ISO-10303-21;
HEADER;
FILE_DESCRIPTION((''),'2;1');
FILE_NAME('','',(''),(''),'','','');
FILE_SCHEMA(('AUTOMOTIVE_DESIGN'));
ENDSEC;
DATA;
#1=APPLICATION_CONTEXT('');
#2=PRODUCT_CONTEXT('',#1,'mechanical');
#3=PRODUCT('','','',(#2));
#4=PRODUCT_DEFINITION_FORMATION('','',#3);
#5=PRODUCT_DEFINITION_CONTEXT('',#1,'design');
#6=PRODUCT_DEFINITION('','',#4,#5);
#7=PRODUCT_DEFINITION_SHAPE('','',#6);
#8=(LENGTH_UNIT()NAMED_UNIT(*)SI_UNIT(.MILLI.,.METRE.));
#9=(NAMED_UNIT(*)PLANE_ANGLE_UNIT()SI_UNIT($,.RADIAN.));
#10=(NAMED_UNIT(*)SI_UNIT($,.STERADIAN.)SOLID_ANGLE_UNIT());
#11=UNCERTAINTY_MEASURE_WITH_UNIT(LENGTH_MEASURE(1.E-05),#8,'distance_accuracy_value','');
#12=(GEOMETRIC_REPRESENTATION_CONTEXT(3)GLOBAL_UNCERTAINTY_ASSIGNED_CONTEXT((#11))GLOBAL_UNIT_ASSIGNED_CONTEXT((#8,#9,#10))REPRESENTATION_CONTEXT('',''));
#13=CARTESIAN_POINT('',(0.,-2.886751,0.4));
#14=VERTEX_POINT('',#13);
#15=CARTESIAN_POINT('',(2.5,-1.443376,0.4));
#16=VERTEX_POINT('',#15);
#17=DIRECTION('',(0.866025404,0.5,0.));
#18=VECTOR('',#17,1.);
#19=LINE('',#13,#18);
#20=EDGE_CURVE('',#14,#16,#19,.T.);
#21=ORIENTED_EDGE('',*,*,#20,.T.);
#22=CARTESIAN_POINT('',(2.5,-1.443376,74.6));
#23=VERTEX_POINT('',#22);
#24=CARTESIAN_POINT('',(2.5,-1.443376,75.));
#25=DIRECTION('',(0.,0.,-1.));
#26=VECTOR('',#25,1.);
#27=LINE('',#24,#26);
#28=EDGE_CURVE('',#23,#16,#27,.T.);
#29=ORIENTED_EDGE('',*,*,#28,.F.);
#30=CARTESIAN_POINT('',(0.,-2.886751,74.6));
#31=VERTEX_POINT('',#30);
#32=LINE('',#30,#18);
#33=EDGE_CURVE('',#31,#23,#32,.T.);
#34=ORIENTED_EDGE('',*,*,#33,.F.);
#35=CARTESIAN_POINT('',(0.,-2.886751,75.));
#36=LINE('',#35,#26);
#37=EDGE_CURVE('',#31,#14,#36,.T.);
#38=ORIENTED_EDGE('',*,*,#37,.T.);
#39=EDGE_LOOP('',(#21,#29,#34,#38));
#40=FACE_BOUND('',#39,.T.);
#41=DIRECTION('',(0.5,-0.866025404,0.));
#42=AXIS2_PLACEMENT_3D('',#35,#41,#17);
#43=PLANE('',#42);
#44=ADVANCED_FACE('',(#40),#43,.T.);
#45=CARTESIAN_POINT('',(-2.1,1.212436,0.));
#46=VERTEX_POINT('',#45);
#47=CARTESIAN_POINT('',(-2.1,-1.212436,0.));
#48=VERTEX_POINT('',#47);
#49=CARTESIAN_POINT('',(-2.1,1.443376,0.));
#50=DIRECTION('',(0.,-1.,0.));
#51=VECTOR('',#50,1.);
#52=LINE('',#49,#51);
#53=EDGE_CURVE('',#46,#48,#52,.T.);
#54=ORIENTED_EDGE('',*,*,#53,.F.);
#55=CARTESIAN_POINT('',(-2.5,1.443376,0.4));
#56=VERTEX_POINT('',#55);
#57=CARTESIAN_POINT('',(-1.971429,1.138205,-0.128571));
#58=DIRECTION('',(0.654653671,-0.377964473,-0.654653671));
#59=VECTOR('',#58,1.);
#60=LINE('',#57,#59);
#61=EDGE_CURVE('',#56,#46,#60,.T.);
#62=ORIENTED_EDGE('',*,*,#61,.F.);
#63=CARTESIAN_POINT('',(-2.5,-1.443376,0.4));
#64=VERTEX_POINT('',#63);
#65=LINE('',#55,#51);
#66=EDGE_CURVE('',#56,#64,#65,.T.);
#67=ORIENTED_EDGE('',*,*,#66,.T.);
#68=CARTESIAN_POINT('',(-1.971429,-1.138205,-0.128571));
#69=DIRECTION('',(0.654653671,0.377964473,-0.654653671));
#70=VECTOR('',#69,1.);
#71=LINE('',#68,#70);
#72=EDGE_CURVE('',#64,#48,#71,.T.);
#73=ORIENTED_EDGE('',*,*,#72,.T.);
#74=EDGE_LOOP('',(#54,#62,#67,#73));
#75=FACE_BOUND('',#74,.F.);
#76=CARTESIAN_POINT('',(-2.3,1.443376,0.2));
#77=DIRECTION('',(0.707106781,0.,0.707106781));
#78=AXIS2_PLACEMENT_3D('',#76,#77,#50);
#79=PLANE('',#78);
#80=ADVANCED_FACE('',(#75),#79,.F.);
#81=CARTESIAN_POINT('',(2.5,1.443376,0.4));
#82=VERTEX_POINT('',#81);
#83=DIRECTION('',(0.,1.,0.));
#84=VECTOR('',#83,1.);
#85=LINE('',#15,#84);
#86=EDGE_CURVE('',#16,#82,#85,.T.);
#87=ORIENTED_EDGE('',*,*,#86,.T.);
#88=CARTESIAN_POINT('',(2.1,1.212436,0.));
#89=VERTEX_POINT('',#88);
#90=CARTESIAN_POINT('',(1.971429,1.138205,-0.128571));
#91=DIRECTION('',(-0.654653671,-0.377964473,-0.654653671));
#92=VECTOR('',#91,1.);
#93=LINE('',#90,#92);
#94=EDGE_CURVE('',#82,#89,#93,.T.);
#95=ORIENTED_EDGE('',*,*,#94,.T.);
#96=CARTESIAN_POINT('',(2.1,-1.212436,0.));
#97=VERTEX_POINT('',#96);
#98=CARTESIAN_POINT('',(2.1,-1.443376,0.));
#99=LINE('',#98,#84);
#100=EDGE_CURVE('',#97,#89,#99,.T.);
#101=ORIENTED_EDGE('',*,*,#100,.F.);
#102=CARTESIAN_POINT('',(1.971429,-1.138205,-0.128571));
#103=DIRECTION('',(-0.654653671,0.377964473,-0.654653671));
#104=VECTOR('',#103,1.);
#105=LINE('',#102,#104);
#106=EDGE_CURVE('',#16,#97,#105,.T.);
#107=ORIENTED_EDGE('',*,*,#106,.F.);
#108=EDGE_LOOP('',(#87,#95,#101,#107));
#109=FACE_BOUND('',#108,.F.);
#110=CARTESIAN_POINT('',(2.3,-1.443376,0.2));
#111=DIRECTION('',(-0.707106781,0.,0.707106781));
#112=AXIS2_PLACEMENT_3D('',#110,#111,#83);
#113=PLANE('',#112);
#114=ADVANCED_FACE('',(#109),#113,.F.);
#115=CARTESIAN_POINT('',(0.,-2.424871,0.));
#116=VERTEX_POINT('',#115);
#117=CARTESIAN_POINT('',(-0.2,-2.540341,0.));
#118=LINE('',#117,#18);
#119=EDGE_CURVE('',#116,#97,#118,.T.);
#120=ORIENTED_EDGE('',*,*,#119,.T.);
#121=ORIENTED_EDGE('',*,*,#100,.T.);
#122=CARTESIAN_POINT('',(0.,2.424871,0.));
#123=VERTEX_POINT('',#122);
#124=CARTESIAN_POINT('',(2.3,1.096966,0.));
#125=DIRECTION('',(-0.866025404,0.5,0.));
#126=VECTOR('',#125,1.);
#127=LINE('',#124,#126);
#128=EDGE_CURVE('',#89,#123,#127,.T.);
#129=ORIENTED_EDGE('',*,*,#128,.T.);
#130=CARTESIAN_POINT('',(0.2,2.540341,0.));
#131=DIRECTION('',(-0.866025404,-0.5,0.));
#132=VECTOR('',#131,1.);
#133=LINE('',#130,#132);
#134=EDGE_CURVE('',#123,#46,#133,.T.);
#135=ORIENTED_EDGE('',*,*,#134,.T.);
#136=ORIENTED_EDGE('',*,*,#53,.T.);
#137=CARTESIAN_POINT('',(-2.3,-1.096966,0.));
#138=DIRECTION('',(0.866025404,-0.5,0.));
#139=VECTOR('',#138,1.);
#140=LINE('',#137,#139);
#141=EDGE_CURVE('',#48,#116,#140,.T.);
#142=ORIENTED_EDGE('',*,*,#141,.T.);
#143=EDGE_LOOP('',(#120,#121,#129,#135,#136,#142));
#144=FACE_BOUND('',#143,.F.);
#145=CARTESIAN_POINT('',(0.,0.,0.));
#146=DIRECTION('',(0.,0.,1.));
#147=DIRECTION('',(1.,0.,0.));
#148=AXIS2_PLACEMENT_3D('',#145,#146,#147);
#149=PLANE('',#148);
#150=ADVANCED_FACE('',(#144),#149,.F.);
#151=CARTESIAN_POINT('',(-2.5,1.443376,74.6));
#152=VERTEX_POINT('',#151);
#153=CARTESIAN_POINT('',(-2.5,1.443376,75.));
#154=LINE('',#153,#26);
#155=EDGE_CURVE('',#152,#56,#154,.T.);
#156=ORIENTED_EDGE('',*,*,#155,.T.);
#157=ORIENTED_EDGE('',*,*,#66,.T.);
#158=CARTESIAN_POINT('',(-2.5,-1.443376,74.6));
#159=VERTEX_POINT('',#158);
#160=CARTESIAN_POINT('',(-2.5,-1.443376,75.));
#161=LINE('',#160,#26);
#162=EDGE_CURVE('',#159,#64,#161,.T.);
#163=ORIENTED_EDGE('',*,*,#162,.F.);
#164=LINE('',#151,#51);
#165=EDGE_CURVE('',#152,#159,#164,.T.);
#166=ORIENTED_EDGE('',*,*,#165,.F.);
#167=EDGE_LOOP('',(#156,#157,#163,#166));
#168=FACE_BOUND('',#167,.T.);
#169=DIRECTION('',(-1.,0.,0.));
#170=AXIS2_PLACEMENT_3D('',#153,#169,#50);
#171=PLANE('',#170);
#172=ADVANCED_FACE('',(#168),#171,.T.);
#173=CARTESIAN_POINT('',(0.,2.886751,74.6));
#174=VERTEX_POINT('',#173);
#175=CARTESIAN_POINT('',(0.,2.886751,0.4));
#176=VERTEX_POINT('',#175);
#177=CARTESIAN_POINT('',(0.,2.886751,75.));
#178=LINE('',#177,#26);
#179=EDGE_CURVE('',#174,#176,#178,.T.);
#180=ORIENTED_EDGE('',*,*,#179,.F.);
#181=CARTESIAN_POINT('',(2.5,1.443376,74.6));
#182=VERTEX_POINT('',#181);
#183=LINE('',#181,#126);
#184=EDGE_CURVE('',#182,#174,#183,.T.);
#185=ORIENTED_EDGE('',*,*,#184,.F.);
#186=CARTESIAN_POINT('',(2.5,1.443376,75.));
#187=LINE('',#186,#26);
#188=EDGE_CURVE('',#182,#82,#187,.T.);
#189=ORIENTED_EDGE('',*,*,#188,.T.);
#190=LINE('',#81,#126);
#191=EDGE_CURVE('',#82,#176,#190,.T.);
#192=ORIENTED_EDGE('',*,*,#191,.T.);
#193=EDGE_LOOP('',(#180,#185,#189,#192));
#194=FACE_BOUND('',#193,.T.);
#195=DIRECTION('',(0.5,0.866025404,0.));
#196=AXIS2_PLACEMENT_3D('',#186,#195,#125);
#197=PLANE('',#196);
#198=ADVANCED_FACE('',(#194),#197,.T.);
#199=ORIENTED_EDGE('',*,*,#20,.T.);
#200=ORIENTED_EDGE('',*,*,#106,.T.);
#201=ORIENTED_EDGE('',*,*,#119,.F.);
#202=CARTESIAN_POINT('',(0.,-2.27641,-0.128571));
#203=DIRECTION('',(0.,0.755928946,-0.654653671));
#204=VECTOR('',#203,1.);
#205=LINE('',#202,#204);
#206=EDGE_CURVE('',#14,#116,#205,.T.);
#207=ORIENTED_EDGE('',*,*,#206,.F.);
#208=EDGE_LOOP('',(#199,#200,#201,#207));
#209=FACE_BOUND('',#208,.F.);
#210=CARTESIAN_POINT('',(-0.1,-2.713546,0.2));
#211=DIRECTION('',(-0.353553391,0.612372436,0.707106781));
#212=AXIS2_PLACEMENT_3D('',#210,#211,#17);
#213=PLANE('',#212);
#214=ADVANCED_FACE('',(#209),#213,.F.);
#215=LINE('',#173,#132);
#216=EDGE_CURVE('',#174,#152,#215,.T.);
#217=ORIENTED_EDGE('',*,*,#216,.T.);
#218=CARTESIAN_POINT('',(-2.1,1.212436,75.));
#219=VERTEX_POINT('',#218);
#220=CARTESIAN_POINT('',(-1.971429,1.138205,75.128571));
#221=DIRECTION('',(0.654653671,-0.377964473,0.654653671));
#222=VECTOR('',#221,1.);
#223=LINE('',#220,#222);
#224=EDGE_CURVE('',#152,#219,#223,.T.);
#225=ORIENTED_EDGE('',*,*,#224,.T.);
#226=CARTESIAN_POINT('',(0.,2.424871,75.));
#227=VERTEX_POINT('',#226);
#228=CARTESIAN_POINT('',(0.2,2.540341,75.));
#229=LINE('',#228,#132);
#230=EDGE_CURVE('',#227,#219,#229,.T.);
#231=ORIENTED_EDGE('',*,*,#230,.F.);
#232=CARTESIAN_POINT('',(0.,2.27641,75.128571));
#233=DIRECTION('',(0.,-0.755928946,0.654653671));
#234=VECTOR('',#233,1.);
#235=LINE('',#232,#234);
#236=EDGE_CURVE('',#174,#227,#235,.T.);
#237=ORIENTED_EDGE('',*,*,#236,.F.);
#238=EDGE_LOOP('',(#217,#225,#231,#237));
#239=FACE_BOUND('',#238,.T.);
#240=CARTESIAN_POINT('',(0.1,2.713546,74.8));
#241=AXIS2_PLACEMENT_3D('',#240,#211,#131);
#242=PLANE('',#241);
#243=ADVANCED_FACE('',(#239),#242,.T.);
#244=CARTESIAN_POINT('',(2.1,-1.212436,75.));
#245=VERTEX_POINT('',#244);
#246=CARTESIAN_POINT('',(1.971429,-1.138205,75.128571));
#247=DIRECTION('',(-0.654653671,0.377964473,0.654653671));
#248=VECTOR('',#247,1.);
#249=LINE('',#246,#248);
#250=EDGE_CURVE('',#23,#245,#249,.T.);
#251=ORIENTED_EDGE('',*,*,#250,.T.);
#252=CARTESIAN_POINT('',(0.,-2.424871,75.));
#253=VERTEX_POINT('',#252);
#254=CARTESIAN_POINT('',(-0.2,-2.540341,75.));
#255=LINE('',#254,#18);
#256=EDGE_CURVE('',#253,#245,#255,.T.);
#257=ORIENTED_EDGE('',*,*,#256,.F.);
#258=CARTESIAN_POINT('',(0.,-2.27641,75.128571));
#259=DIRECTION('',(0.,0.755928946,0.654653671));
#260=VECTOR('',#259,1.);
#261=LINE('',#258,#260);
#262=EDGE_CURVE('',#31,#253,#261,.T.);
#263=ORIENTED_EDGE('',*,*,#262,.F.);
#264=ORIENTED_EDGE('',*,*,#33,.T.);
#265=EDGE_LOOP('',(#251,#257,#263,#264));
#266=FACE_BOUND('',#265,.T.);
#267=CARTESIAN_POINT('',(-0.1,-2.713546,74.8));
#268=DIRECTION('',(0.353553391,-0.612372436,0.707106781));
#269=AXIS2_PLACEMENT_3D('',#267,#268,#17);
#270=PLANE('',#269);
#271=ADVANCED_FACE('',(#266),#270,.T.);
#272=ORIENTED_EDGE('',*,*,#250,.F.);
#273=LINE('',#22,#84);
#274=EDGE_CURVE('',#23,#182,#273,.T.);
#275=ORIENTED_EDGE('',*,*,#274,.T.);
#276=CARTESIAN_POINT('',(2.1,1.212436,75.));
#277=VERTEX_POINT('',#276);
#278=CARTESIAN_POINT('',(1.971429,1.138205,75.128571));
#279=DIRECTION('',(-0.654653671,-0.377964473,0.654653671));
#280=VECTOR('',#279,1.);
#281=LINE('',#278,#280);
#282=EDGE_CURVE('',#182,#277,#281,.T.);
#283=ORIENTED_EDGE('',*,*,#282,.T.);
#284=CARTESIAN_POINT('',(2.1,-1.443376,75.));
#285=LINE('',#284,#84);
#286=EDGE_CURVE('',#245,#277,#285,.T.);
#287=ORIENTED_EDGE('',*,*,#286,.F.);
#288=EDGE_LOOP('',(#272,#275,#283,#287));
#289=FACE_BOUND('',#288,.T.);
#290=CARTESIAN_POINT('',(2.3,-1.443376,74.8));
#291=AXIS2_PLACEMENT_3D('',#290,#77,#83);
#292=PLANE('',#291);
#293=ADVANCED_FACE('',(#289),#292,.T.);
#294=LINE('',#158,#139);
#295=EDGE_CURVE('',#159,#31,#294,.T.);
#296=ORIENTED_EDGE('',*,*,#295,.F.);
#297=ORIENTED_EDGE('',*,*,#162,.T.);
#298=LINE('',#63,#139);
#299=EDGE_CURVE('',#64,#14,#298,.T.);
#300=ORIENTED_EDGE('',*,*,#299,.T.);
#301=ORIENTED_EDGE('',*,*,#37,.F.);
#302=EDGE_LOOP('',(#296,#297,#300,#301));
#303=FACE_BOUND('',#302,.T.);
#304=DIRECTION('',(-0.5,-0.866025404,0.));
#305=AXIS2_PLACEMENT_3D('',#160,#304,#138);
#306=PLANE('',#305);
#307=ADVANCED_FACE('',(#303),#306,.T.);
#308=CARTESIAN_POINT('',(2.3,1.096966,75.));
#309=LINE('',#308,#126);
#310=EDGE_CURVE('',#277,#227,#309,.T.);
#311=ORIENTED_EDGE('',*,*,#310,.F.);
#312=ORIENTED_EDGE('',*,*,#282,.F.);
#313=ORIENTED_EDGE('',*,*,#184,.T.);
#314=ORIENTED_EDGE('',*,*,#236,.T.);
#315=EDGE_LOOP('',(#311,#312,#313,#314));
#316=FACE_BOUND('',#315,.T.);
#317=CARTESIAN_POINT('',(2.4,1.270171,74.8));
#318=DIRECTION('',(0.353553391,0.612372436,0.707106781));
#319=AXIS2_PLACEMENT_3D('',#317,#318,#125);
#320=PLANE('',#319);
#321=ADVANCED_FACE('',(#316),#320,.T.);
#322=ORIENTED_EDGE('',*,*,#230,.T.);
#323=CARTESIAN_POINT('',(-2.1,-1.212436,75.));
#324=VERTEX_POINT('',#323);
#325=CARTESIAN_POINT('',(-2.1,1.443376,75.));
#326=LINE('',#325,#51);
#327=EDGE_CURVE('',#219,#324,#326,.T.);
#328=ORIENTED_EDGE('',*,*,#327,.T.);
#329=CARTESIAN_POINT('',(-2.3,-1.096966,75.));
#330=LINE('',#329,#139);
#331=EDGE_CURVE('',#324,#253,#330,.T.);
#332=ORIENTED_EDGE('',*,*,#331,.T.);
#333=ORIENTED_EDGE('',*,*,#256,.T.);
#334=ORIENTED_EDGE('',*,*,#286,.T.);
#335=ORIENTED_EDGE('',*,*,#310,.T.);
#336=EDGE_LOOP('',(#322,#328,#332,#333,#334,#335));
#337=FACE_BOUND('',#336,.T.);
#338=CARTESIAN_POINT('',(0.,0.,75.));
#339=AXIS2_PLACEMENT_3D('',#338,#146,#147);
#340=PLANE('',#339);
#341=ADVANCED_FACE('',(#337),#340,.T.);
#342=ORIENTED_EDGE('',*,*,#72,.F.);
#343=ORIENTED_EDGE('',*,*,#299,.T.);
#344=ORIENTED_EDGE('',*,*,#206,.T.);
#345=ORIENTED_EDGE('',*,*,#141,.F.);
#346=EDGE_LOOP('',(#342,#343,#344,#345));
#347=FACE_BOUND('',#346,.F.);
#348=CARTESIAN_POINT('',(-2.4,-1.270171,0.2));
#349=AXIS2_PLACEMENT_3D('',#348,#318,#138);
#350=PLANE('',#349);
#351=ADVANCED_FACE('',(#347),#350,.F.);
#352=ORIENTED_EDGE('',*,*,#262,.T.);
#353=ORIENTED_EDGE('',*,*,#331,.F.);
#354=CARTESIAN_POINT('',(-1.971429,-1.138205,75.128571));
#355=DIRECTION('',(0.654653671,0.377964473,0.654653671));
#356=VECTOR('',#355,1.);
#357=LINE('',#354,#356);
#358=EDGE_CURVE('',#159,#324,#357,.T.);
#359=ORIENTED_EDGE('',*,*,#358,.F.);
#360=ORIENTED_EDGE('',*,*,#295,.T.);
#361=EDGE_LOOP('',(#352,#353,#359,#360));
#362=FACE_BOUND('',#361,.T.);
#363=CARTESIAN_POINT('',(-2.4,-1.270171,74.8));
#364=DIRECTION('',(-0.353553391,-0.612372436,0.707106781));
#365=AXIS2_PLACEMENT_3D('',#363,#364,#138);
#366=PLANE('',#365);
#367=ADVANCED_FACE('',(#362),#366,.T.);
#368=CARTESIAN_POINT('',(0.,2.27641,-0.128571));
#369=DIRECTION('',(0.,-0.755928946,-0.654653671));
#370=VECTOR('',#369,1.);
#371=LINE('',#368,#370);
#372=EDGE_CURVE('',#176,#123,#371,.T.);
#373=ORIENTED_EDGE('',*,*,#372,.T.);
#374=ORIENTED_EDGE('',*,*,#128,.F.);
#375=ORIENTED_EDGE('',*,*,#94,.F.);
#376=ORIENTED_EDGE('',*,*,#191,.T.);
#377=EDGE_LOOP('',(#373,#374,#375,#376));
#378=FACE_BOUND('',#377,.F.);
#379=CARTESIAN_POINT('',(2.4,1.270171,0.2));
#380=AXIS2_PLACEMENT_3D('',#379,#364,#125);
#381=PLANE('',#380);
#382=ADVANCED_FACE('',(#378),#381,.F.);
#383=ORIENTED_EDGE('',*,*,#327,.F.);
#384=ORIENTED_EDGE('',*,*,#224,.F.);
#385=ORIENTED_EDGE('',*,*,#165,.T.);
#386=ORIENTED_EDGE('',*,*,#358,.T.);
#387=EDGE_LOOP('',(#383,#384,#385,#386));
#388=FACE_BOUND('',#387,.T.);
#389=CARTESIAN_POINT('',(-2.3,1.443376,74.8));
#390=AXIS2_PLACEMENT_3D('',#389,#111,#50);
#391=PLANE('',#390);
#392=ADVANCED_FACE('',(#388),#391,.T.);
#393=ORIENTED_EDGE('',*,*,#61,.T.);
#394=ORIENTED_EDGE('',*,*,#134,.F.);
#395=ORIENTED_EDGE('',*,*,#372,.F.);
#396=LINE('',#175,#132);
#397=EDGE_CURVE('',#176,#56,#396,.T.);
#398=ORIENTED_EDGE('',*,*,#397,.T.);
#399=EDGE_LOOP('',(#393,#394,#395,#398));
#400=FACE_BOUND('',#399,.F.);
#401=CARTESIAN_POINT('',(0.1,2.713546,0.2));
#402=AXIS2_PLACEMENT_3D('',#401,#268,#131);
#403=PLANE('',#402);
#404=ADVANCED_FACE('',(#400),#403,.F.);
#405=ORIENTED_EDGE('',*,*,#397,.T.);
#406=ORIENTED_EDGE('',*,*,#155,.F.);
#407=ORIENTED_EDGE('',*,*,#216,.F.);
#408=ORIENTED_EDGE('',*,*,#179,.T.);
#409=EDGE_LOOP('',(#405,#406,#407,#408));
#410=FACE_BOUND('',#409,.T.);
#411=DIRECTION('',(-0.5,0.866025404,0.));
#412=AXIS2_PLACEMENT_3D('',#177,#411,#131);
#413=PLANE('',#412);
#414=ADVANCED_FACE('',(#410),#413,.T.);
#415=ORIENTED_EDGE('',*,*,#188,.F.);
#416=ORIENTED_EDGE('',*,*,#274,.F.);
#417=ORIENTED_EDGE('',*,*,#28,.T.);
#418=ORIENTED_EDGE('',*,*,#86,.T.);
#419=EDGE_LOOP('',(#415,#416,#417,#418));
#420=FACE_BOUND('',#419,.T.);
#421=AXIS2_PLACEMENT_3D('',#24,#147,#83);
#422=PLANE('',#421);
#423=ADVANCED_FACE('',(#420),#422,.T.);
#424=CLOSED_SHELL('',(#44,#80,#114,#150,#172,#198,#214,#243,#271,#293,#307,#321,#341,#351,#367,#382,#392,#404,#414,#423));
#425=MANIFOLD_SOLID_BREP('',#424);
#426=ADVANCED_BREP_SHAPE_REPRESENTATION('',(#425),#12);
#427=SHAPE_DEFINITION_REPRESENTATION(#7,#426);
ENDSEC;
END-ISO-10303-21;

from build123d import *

# Parameters (mm, degrees)
BOSS_EXTRUDE1_DEPTH = 75
CHAMFER1_SIZE       = 0.4


with BuildPart() as part:
    # Sketch1 → Boss-Extrude1 (new body)
    with BuildSketch(Plane.XY.offset(75)):
        Polygon((0, -2.886751346), (2.5, -1.443375673), (2.5, 1.443375673), (0, 2.886751346), (-2.5, 1.443375673), (-2.5, -1.443375673), align=None)
    extrude(amount=-BOSS_EXTRUDE1_DEPTH)

    # Chamfer1
    chamfer1_edges = [part.edges().sort_by_distance(p)[0] for p in [
        (2.5, 0, 0),
        (1.25, 2.165063509, 0),
        (-1.25, 2.165063509, 0),
        (-2.5, 0, 0),
        (-1.25, -2.165063509, 0),
        (-2.5, 0, 75),
        (-1.25, 2.165063509, 75),
        (1.25, 2.165063509, 75),
        (1.25, -2.165063509, 0),
        (2.5, 0, 75),
        (1.25, -2.165063509, 75),
        (-1.25, -2.165063509, 75),
    ]]
    chamfer(chamfer1_edges, length=CHAMFER1_SIZE)


solid = part.part
